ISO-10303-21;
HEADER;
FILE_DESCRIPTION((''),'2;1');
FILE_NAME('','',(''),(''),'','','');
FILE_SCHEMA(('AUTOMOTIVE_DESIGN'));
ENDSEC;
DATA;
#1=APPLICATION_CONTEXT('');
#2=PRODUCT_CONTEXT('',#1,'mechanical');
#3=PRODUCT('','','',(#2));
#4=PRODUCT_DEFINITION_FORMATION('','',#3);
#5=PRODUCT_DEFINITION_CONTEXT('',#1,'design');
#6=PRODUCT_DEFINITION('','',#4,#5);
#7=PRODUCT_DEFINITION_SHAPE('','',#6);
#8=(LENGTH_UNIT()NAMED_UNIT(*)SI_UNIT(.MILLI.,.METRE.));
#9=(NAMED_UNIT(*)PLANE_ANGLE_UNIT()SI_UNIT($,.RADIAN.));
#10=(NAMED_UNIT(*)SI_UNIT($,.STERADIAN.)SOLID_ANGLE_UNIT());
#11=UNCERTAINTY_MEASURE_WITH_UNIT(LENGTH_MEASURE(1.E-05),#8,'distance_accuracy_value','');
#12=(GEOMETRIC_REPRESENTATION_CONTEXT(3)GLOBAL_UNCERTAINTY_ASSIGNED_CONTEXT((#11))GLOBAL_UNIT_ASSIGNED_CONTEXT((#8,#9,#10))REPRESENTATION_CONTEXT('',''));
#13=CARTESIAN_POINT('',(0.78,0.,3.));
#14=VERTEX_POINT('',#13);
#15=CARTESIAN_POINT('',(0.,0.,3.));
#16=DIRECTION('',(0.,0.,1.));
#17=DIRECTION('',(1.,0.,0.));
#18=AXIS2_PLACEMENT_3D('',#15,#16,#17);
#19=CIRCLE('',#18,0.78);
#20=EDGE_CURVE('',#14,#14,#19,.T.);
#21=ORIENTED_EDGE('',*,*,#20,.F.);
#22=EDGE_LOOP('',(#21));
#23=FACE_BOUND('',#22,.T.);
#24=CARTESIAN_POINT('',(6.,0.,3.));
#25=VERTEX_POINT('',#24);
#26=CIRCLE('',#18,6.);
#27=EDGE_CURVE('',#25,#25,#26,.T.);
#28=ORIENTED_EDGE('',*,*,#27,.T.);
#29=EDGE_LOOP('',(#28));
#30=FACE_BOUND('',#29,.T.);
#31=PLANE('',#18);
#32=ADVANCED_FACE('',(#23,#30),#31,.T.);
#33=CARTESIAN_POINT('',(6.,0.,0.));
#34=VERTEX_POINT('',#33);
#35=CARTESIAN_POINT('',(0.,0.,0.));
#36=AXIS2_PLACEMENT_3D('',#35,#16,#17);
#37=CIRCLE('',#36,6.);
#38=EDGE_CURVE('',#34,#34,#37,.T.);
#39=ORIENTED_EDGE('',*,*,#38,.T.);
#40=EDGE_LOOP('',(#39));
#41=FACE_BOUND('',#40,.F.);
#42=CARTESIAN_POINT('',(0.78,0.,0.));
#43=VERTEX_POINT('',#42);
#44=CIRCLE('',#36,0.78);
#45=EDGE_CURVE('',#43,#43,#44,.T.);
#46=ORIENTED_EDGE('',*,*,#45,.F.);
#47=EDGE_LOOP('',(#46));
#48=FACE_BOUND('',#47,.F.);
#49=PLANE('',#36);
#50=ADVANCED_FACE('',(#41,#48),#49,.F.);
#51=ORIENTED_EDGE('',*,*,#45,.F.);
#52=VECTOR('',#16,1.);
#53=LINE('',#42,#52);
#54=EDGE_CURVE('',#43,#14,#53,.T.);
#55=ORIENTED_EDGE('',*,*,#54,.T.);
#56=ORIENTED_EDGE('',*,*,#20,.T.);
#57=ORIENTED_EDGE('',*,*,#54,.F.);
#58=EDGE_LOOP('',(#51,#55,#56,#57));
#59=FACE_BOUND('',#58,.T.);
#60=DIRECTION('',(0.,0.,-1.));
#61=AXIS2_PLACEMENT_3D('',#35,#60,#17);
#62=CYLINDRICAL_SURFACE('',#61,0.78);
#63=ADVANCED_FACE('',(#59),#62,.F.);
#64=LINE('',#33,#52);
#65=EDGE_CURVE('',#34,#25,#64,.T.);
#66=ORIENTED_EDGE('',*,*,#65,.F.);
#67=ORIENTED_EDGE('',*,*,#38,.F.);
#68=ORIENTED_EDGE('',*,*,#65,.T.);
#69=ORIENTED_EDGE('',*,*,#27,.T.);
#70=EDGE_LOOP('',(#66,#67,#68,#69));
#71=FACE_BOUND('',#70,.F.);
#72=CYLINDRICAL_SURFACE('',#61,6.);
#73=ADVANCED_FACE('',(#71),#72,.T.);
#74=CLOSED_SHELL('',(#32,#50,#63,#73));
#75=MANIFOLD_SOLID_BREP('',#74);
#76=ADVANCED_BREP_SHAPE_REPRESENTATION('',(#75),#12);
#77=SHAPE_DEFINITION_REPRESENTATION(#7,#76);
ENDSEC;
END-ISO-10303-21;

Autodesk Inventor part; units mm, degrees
ref_plane "YZ Plane" through (0, 0, 0) normal (1, 0, 0) x (0, 1, 0)
ref_plane "XZ Plane" through (0, 0, 0) normal (0, 1, 0) x (-1, 0, 0)
ref_plane "XY Plane" through (0, 0, 0) normal (0, 0, 1) x (1, 0, 0)
sketch "Sketch1" plane through (0, 0, 0) normal (0, 0, 1) x (1, 0, 0)
  circle A0 centre (0, 0) radius 6
  circle A1 centre (0, 0) radius 0.78
  dimension "d0" = 12
  dimension "d1" = 1.5
extrude "Extrusion1" add sketch "Sketch1" along normal blind 3
properties part number "Wheel2Wheel-01"
